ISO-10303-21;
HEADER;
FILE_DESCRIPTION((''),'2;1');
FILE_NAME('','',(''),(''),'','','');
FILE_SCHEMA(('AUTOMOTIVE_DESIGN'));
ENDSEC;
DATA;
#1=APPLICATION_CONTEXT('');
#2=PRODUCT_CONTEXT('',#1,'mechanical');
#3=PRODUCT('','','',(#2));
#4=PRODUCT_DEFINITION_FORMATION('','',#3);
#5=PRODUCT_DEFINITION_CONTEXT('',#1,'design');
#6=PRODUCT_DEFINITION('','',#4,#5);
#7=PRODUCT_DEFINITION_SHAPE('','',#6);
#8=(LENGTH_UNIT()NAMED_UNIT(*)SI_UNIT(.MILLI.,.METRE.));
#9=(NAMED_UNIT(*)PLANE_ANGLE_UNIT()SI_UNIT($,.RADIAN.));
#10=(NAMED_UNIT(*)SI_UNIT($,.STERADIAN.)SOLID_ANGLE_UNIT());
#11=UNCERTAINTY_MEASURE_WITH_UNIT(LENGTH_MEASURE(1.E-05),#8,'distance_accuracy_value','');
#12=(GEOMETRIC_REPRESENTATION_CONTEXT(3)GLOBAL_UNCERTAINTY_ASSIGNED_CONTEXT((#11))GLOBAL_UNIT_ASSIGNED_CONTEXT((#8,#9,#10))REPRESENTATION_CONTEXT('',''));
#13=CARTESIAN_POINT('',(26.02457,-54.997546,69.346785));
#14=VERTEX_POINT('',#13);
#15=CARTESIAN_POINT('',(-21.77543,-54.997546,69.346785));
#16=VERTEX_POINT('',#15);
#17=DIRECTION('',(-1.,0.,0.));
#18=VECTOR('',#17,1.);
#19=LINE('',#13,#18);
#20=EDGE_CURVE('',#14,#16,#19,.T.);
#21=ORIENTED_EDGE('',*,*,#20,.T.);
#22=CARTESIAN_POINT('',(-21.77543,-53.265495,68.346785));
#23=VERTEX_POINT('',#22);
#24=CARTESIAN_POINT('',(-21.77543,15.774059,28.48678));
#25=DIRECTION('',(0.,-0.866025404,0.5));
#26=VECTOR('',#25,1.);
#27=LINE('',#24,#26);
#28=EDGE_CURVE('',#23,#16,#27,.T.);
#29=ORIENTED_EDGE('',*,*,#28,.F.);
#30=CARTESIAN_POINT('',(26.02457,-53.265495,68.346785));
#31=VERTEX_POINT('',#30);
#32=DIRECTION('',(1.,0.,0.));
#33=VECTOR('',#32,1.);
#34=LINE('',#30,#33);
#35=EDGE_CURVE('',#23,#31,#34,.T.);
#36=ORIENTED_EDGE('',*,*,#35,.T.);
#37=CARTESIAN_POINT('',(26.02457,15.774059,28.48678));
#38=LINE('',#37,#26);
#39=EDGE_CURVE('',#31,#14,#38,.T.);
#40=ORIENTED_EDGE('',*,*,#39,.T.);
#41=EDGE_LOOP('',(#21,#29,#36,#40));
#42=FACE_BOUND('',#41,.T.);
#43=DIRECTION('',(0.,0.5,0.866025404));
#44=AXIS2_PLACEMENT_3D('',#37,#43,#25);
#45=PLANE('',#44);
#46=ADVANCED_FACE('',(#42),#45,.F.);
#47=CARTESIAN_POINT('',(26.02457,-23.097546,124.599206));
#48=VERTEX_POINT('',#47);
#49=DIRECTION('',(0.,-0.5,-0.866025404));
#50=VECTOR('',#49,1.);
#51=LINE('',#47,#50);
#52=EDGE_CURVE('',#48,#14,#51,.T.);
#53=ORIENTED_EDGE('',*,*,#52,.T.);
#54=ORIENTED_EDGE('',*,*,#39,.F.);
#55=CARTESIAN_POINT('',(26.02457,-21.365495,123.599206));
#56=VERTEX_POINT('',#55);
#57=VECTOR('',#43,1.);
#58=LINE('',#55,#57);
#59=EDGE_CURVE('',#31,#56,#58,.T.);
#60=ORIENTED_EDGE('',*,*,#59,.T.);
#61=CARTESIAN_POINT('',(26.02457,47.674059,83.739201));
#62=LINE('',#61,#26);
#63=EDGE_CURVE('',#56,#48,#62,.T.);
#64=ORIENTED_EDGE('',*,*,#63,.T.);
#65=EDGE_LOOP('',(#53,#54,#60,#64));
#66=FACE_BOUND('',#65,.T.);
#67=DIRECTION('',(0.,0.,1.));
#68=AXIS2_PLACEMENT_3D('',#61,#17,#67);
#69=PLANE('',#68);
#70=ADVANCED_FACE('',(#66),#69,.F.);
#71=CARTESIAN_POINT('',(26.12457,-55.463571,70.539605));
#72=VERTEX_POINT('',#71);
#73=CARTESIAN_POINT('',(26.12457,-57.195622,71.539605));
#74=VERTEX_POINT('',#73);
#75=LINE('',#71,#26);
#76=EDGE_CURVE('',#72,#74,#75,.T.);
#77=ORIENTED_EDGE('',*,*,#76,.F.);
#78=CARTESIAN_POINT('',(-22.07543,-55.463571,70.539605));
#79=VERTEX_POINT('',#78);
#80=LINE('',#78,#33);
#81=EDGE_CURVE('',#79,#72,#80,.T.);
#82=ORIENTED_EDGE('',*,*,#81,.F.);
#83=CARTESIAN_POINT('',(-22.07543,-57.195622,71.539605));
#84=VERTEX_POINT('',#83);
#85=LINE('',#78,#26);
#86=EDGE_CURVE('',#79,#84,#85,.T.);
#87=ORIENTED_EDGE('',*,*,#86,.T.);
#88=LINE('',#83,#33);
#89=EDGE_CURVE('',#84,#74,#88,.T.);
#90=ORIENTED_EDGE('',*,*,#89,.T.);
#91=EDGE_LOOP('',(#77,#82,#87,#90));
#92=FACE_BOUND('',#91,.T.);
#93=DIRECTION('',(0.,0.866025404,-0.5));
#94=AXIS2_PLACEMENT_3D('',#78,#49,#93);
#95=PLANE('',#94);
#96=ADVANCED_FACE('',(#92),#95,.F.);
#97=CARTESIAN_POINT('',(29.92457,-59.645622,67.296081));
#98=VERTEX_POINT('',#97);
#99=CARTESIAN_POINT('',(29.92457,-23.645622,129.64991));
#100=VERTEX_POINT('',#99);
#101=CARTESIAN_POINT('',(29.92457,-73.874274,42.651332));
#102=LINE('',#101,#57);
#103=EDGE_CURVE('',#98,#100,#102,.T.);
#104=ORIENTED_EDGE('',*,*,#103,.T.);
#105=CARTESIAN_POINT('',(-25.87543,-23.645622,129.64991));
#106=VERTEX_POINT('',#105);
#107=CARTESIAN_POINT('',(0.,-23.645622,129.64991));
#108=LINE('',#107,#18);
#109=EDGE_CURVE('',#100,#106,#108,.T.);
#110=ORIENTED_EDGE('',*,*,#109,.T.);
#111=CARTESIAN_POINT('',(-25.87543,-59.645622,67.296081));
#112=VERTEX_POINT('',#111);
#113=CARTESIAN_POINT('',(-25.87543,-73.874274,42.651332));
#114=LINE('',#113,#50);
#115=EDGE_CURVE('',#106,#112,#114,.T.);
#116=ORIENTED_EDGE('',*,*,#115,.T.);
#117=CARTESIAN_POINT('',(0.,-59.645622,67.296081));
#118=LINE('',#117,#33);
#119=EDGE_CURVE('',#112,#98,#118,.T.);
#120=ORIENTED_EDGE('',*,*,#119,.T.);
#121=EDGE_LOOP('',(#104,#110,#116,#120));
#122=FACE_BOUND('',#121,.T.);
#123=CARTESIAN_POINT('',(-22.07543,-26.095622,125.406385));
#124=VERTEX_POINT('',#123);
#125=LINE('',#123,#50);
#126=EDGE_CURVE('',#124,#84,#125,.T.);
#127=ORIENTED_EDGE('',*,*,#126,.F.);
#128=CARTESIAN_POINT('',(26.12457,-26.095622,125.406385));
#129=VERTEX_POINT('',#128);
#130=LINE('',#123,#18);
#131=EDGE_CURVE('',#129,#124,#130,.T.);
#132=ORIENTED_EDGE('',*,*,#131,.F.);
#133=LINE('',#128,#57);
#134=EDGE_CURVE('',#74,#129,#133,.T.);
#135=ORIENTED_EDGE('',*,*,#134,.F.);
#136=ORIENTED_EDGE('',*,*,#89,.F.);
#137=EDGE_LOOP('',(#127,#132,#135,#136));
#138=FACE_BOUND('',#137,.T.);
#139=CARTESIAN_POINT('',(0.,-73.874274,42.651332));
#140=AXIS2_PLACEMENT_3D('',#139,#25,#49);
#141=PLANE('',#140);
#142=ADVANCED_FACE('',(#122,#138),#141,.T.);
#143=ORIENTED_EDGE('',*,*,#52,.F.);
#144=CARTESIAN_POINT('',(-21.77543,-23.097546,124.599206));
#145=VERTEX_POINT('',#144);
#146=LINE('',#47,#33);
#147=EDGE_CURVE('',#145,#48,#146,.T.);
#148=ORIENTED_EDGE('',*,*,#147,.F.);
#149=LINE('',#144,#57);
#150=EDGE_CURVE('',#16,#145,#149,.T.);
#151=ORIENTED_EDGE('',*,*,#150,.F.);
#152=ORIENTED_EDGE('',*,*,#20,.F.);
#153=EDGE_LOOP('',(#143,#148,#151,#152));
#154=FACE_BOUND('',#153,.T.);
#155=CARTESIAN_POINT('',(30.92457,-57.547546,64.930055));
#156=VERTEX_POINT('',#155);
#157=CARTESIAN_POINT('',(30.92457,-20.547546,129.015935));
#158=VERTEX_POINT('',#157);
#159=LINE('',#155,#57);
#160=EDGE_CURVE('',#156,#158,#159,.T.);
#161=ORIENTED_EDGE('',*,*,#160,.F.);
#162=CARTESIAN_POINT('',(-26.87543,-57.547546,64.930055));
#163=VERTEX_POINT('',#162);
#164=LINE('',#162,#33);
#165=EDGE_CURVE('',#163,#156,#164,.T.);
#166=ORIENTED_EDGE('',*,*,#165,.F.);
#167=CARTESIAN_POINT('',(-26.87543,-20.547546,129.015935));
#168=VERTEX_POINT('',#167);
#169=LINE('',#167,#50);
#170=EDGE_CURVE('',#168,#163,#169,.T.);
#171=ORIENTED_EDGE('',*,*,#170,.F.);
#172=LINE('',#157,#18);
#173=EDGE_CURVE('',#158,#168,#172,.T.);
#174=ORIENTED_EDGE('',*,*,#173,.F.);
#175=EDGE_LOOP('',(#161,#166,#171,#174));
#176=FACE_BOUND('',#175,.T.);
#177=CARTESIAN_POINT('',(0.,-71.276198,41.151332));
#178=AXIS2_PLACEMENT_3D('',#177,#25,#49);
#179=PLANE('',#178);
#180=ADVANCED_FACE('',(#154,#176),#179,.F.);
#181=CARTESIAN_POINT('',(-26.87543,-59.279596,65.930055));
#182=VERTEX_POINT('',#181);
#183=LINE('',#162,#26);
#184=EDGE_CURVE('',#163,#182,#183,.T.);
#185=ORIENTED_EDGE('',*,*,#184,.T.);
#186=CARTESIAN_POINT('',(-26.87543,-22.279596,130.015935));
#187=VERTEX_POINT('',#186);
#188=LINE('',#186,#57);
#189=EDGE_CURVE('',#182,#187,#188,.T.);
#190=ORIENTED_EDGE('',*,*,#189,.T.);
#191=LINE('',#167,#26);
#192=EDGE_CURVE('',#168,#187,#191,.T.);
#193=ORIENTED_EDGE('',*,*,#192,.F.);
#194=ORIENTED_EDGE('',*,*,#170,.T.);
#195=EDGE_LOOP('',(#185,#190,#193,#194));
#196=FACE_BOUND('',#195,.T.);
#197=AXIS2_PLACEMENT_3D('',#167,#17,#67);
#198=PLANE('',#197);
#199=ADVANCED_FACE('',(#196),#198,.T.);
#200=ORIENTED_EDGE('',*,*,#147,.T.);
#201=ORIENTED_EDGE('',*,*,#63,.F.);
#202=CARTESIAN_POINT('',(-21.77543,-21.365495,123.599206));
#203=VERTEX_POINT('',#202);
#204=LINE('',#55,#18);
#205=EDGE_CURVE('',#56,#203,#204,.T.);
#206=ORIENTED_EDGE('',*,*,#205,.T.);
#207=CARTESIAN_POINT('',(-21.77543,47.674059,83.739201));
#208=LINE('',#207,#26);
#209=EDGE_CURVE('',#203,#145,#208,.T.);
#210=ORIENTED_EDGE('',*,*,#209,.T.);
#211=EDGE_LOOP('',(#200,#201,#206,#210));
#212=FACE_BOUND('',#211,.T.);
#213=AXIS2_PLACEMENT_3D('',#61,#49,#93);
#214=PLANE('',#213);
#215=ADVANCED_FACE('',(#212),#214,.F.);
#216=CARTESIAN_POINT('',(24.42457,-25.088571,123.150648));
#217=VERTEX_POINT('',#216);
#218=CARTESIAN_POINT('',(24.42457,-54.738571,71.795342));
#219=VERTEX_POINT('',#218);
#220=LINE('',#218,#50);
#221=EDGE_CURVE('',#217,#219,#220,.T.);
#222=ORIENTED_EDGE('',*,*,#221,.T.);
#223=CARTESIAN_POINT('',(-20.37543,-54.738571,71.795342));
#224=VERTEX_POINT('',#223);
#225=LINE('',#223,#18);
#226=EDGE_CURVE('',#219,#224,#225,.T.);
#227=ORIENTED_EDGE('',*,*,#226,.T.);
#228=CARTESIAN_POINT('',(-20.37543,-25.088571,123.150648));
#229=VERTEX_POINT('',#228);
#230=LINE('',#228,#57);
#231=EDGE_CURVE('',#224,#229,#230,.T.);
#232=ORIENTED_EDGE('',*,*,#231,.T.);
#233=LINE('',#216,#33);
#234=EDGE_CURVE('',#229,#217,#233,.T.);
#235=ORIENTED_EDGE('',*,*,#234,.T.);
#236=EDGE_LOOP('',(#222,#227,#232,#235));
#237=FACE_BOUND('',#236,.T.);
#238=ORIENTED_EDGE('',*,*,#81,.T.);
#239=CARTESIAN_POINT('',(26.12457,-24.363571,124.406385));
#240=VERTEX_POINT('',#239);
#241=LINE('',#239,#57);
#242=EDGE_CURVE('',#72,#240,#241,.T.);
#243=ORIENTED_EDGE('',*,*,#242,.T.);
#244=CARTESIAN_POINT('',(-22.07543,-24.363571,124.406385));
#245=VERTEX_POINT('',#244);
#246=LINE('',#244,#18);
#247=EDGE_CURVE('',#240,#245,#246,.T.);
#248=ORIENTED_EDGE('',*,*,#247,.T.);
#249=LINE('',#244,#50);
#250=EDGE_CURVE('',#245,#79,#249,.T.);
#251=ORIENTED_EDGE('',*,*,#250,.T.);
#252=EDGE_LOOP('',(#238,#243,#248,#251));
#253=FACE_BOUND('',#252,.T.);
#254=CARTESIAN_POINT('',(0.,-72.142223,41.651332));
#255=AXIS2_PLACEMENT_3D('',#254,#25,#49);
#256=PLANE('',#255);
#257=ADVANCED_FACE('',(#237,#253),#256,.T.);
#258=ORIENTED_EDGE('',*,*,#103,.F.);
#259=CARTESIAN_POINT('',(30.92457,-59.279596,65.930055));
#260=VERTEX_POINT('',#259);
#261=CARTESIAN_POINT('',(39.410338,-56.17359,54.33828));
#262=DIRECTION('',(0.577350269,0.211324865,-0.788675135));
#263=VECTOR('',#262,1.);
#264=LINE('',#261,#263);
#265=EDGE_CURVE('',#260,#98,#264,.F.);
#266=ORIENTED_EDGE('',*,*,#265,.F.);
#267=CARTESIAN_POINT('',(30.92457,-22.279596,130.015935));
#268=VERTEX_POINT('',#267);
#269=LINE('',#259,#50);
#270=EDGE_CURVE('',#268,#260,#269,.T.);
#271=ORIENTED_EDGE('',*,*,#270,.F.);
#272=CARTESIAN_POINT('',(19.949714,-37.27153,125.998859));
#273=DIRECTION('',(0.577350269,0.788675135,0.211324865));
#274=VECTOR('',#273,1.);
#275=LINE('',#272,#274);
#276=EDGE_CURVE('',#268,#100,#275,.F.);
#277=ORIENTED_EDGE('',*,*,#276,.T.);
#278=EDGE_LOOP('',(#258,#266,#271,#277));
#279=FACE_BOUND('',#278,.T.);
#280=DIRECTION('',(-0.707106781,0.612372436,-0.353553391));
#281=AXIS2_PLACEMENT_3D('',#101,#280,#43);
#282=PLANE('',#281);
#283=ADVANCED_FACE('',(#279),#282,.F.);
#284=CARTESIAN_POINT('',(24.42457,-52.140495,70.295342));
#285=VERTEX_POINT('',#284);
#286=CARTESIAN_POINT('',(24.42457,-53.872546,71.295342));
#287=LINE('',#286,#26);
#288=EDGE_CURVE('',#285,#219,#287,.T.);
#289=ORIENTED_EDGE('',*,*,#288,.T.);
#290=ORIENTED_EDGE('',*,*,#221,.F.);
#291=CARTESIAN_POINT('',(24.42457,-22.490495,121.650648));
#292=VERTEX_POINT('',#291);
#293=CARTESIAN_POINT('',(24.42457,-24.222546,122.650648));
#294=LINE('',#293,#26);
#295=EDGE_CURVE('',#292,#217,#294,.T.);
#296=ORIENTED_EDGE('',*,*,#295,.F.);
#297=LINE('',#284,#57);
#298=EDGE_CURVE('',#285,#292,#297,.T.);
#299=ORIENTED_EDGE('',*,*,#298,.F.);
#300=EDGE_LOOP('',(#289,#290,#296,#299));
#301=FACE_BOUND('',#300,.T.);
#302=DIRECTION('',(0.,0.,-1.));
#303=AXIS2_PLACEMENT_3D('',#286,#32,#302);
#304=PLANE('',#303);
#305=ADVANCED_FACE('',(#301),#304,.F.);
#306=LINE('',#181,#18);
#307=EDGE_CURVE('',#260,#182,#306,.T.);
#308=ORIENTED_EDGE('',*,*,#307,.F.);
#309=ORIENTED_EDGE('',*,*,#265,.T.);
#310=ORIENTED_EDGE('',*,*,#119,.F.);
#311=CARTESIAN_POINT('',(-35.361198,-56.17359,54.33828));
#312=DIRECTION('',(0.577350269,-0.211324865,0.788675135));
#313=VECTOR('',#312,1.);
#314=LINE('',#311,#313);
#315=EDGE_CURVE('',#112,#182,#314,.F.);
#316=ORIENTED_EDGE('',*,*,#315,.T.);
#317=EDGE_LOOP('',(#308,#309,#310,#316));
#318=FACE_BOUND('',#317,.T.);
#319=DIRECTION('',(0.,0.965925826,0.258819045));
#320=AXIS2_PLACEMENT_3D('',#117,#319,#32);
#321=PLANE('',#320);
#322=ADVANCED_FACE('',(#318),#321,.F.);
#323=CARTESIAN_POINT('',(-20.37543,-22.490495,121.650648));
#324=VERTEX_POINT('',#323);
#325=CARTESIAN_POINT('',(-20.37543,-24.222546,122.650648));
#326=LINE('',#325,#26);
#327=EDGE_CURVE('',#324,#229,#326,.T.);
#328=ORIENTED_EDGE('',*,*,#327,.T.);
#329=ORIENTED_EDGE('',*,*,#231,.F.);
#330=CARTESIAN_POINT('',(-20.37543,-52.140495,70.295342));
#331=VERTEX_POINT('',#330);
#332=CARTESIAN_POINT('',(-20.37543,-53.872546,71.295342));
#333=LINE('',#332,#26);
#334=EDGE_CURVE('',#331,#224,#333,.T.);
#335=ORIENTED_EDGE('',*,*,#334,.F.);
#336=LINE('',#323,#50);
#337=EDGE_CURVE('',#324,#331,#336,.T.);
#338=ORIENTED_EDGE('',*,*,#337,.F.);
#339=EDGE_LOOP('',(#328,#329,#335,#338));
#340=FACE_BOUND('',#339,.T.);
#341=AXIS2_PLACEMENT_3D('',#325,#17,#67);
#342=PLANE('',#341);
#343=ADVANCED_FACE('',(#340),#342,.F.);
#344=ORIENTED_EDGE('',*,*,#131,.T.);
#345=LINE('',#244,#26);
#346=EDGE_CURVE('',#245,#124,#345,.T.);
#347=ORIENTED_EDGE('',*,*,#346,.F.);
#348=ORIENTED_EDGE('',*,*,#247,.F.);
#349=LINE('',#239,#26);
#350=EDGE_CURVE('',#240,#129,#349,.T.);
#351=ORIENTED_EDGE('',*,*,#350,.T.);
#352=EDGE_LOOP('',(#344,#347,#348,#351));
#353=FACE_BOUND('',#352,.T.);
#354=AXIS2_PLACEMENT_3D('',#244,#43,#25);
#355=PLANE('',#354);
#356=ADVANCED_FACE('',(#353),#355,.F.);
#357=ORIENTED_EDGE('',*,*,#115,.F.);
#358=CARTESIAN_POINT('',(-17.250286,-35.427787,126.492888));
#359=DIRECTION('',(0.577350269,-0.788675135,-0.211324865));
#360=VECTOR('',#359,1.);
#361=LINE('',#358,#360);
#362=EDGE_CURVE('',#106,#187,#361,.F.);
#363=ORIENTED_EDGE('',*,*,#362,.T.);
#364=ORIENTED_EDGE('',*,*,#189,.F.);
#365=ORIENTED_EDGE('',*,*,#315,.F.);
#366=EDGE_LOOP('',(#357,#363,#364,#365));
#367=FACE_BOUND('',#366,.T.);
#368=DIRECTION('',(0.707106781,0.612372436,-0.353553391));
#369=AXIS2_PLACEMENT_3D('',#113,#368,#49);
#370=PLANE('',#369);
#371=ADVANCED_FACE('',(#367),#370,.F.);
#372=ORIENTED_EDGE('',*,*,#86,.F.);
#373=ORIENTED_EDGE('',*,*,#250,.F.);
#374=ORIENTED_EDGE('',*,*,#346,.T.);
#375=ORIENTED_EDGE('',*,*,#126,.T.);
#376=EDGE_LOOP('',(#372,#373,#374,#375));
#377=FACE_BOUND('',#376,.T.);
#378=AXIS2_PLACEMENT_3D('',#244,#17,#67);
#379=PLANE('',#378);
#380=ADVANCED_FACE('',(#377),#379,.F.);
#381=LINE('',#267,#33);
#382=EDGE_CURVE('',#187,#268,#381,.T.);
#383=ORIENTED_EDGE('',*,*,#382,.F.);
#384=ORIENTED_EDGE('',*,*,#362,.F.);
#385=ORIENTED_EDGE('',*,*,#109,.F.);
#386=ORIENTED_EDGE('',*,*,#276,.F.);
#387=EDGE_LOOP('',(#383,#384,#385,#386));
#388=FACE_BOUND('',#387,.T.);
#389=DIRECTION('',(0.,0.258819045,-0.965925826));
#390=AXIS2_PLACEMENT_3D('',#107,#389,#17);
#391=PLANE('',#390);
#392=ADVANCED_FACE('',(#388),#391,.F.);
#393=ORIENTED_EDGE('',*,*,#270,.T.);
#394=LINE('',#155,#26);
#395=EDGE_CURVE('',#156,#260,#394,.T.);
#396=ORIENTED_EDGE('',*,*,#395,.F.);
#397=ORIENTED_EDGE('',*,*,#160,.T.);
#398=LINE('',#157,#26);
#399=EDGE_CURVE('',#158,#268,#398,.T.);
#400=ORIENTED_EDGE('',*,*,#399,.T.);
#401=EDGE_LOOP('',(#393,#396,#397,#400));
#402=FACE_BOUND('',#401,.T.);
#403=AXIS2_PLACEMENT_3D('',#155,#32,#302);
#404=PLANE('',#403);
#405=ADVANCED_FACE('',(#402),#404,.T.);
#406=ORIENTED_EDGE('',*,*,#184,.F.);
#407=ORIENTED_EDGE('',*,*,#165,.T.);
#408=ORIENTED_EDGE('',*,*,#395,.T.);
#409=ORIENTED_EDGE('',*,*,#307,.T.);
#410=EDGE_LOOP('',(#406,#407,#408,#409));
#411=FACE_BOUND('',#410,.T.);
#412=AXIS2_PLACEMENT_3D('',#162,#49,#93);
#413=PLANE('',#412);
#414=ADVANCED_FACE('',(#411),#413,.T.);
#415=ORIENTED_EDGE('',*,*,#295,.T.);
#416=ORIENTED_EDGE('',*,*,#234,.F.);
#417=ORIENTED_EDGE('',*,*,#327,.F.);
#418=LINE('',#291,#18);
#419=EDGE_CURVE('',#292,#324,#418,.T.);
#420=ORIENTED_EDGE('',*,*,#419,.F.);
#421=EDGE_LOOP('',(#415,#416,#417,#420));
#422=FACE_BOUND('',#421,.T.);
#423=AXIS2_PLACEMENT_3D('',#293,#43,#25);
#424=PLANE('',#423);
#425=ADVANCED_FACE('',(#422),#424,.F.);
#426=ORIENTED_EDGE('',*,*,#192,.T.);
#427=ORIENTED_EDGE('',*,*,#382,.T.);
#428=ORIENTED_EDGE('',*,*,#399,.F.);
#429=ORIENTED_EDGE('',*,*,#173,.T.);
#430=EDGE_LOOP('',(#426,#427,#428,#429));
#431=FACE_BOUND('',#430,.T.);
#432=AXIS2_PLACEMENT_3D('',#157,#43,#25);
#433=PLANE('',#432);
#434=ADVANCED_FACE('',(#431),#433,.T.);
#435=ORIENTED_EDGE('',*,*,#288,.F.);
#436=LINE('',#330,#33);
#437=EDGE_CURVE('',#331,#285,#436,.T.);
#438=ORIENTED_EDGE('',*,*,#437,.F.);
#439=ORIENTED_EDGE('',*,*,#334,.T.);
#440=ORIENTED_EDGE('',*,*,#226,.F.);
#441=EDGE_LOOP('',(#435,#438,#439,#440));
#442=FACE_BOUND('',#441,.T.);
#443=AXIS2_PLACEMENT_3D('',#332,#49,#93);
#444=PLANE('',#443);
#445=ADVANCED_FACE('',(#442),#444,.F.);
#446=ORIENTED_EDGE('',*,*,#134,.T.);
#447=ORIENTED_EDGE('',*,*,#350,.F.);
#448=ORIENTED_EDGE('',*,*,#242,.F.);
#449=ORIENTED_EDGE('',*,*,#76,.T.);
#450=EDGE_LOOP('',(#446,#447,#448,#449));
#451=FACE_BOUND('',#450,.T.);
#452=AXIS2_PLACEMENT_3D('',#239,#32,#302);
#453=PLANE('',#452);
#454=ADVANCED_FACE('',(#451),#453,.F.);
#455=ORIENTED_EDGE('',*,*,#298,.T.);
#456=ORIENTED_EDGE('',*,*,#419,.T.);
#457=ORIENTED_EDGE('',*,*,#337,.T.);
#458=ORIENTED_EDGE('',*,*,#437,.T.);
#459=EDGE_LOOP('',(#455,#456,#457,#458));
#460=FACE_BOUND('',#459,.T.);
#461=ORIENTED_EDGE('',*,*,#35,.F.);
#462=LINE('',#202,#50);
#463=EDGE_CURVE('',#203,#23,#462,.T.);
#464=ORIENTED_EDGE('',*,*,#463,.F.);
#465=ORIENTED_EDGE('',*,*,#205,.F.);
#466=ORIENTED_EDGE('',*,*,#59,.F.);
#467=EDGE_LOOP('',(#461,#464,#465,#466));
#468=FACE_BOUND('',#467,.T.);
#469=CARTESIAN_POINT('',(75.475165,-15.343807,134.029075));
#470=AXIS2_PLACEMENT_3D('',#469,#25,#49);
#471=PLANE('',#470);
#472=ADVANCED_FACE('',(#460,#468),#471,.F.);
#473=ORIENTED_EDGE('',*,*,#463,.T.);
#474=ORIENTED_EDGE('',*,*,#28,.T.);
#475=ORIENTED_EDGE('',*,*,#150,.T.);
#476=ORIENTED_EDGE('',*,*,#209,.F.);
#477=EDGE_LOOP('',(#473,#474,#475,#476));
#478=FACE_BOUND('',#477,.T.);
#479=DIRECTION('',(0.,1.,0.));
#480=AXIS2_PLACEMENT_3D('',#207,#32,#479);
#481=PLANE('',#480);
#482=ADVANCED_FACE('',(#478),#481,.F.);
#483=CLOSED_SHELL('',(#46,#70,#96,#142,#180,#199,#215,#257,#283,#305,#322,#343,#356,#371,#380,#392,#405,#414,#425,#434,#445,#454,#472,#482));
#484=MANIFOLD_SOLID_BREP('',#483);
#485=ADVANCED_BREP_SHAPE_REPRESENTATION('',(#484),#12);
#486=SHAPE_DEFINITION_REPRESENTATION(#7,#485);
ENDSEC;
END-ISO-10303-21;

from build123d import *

# Parameters (mm, degrees)
SKETCH1_W           = 57.8
SKETCH1_H           = 74
SKETCH1_W_2         = 44.8
SKETCH1_H_2         = 59.3
BOSS_EXTRUDE1_DEPTH = 3
CHAMFER1_SIZE       = 1
SKETCH2_W           = 47.8
SKETCH2_H           = 63.8
SKETCH2_W_2         = 44.8
SKETCH2_H_2         = 59.3
BOSS_EXTRUDE2_DEPTH = 2
SKETCH4_W           = 48.2
SKETCH4_H           = 62.2
CUT_EXTRUDE1_DEPTH  = 2


with BuildPart() as part:
    # Sketch1 → Boss-Extrude1 (new body)
    with BuildSketch(Plane(origin=(0, -73.874274117, 42.651332047), x_dir=(1, 0, 0), z_dir=(0, -0.8660254037844363, 0.5000000000000041))):
        with Locations((2.02457026, 64.457304532)):
            Rectangle(SKETCH1_W, SKETCH1_H)
        with Locations((2.02457026, 64.457304532)):
            Rectangle(SKETCH1_W_2, SKETCH1_H_2, mode=Mode.SUBTRACT)
    extrude(amount=-BOSS_EXTRUDE1_DEPTH)

    # Chamfer1
    chamfer1_edges = [part.edges().sort_by_distance(p)[0] for p in [
        (-20.37542974, -41.645621851, 98.472995232),
        (2.02457026, -56.470621851, 72.795342009),
        (24.42457026, -41.645621851, 98.472995232),
        (2.02457026, -26.820621851, 124.150648454),
        (2.02457026, -23.145621851, 130.515935172),
        (30.92457026, -41.645621851, 98.472995232),
        (2.02457026, -60.145621851, 66.430055292),
        (-26.87542974, -41.645621851, 98.472995232),
    ]]
    chamfer(chamfer1_edges, length=CHAMFER1_SIZE)

    # Sketch2 → Boss-Extrude2 (add)
    with BuildSketch(Plane(origin=(0, -71.276197905, 41.151332047), x_dir=(-1, 0, 0), z_dir=(0, 0.8660254037844366, -0.5000000000000038))):
        with Locations((-2.12457026, 64.457304532)):
            Rectangle(SKETCH2_W, SKETCH2_H)
        with Locations((-2.02457026, 64.457304532)):
            Rectangle(SKETCH2_W_2, SKETCH2_H_2, mode=Mode.SUBTRACT)
    extrude(amount=BOSS_EXTRUDE2_DEPTH)

    # Sketch4 → Cut-Extrude1 (cut)
    with BuildSketch(Plane(origin=(0, -73.874274117, 42.651332047), x_dir=(1, 0, 0), z_dir=(0, -0.8660254037844366, 0.5000000000000038))):
        with Locations((2.02457026, 64.457304532)):
            Rectangle(SKETCH4_W, SKETCH4_H)
    extrude(amount=-CUT_EXTRUDE1_DEPTH, mode=Mode.SUBTRACT)


solid = part.part
